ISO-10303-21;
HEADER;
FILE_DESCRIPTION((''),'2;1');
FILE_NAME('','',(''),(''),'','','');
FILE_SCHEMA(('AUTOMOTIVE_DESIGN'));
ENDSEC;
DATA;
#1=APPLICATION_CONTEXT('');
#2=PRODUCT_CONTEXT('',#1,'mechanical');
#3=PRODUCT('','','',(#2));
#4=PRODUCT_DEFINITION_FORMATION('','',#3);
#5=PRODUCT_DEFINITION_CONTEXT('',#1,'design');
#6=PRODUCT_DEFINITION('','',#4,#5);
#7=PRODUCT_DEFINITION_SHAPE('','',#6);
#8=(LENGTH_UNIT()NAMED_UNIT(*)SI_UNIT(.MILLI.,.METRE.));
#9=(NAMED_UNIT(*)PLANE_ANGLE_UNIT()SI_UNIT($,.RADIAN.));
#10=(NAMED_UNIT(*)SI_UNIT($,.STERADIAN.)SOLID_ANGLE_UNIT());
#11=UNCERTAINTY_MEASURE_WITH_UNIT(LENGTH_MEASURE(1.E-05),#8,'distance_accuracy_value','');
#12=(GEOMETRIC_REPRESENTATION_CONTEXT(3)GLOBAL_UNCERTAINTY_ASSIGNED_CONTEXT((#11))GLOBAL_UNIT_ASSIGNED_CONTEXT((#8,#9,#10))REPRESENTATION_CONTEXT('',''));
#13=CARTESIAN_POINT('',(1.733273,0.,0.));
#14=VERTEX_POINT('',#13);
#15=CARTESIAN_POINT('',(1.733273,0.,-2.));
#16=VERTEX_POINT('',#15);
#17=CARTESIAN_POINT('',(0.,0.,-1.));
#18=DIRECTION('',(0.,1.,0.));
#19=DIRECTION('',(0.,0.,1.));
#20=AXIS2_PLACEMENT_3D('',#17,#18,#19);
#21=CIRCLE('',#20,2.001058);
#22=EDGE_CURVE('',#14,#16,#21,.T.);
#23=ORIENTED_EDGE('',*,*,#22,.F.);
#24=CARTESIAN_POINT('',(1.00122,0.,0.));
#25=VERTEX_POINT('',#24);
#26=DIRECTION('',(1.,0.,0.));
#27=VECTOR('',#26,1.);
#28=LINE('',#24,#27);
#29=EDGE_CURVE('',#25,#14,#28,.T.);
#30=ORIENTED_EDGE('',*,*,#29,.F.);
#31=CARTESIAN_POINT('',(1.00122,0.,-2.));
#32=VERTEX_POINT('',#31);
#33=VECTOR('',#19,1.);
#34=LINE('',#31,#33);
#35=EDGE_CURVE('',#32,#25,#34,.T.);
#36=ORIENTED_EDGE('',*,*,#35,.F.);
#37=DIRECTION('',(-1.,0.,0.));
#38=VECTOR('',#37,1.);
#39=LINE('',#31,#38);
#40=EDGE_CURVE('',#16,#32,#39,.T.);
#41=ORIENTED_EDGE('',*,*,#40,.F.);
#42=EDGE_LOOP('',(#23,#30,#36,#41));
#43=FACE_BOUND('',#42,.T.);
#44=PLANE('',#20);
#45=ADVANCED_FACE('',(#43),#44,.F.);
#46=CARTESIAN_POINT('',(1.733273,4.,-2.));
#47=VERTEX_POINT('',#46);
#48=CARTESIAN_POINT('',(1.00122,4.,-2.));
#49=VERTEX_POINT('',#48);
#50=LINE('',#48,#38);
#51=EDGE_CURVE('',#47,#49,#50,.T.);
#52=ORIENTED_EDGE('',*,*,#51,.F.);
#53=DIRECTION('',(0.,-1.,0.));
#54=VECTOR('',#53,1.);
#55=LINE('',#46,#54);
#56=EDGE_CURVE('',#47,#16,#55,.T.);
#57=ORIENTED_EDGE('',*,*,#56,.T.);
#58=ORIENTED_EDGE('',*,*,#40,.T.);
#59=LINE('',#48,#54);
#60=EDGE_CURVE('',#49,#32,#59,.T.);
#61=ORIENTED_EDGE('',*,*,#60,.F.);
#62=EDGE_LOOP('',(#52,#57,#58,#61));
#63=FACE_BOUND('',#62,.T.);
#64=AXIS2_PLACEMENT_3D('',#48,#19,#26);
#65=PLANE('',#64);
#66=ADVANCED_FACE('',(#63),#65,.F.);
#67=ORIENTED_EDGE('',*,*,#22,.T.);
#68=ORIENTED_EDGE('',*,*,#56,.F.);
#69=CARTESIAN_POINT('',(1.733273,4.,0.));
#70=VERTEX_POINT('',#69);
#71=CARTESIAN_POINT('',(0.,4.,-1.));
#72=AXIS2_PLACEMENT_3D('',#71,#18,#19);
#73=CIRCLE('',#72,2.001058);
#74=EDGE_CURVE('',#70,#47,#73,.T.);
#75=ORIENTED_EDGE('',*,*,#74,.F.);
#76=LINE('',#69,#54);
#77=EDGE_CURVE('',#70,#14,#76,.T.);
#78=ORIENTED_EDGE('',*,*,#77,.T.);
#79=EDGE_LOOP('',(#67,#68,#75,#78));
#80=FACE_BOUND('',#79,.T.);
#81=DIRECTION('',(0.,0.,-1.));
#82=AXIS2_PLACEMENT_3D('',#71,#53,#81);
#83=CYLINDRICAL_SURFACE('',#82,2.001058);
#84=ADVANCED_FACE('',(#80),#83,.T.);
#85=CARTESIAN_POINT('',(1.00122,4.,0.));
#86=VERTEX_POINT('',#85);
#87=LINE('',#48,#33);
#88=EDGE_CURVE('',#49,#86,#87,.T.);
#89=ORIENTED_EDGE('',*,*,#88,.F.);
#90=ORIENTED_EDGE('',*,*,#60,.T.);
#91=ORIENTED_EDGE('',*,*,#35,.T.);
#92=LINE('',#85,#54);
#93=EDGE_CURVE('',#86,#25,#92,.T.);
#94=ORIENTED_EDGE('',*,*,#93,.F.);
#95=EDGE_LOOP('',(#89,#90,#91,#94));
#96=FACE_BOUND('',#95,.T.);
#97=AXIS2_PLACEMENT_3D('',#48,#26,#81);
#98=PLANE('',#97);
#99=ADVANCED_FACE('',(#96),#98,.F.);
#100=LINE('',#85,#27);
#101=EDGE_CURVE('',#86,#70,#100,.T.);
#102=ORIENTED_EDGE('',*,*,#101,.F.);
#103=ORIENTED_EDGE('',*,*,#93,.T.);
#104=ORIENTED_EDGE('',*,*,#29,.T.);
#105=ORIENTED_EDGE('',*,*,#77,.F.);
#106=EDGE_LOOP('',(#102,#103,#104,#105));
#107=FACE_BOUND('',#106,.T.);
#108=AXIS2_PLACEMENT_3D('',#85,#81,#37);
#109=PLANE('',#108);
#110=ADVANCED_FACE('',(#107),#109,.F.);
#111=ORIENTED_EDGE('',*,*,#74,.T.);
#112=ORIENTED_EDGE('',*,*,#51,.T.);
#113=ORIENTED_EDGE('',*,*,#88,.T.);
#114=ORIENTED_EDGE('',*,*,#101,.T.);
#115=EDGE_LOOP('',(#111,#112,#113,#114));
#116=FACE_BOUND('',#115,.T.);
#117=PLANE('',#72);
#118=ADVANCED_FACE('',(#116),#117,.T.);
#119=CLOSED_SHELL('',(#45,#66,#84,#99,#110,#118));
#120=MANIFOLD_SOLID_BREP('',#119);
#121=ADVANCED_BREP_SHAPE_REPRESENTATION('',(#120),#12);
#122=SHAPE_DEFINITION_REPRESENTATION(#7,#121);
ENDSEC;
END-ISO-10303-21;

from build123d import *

# Parameters (mm, degrees)
EXTRUDE_1_DEPTH = 4


with BuildPart() as part:
    # Эскиз1 → Бобышка-Вытянуть1 (new body)
    with BuildSketch(Plane(origin=(0, 0, 0), x_dir=(1, 0, 0), z_dir=(0, 1, 0))):
        with BuildLine():
            Line((1.001220297, 2), (1.733272779, 2))
            ThreePointArc((1.733272779, 2), (2.001058352, 1), (1.733272779, 0))
            Line((1.733272779, 0), (1.001220297, 0))
            Line((1.001220297, 0), (1.001220297, 2))
        make_face()
    extrude(amount=EXTRUDE_1_DEPTH)


solid = part.part
